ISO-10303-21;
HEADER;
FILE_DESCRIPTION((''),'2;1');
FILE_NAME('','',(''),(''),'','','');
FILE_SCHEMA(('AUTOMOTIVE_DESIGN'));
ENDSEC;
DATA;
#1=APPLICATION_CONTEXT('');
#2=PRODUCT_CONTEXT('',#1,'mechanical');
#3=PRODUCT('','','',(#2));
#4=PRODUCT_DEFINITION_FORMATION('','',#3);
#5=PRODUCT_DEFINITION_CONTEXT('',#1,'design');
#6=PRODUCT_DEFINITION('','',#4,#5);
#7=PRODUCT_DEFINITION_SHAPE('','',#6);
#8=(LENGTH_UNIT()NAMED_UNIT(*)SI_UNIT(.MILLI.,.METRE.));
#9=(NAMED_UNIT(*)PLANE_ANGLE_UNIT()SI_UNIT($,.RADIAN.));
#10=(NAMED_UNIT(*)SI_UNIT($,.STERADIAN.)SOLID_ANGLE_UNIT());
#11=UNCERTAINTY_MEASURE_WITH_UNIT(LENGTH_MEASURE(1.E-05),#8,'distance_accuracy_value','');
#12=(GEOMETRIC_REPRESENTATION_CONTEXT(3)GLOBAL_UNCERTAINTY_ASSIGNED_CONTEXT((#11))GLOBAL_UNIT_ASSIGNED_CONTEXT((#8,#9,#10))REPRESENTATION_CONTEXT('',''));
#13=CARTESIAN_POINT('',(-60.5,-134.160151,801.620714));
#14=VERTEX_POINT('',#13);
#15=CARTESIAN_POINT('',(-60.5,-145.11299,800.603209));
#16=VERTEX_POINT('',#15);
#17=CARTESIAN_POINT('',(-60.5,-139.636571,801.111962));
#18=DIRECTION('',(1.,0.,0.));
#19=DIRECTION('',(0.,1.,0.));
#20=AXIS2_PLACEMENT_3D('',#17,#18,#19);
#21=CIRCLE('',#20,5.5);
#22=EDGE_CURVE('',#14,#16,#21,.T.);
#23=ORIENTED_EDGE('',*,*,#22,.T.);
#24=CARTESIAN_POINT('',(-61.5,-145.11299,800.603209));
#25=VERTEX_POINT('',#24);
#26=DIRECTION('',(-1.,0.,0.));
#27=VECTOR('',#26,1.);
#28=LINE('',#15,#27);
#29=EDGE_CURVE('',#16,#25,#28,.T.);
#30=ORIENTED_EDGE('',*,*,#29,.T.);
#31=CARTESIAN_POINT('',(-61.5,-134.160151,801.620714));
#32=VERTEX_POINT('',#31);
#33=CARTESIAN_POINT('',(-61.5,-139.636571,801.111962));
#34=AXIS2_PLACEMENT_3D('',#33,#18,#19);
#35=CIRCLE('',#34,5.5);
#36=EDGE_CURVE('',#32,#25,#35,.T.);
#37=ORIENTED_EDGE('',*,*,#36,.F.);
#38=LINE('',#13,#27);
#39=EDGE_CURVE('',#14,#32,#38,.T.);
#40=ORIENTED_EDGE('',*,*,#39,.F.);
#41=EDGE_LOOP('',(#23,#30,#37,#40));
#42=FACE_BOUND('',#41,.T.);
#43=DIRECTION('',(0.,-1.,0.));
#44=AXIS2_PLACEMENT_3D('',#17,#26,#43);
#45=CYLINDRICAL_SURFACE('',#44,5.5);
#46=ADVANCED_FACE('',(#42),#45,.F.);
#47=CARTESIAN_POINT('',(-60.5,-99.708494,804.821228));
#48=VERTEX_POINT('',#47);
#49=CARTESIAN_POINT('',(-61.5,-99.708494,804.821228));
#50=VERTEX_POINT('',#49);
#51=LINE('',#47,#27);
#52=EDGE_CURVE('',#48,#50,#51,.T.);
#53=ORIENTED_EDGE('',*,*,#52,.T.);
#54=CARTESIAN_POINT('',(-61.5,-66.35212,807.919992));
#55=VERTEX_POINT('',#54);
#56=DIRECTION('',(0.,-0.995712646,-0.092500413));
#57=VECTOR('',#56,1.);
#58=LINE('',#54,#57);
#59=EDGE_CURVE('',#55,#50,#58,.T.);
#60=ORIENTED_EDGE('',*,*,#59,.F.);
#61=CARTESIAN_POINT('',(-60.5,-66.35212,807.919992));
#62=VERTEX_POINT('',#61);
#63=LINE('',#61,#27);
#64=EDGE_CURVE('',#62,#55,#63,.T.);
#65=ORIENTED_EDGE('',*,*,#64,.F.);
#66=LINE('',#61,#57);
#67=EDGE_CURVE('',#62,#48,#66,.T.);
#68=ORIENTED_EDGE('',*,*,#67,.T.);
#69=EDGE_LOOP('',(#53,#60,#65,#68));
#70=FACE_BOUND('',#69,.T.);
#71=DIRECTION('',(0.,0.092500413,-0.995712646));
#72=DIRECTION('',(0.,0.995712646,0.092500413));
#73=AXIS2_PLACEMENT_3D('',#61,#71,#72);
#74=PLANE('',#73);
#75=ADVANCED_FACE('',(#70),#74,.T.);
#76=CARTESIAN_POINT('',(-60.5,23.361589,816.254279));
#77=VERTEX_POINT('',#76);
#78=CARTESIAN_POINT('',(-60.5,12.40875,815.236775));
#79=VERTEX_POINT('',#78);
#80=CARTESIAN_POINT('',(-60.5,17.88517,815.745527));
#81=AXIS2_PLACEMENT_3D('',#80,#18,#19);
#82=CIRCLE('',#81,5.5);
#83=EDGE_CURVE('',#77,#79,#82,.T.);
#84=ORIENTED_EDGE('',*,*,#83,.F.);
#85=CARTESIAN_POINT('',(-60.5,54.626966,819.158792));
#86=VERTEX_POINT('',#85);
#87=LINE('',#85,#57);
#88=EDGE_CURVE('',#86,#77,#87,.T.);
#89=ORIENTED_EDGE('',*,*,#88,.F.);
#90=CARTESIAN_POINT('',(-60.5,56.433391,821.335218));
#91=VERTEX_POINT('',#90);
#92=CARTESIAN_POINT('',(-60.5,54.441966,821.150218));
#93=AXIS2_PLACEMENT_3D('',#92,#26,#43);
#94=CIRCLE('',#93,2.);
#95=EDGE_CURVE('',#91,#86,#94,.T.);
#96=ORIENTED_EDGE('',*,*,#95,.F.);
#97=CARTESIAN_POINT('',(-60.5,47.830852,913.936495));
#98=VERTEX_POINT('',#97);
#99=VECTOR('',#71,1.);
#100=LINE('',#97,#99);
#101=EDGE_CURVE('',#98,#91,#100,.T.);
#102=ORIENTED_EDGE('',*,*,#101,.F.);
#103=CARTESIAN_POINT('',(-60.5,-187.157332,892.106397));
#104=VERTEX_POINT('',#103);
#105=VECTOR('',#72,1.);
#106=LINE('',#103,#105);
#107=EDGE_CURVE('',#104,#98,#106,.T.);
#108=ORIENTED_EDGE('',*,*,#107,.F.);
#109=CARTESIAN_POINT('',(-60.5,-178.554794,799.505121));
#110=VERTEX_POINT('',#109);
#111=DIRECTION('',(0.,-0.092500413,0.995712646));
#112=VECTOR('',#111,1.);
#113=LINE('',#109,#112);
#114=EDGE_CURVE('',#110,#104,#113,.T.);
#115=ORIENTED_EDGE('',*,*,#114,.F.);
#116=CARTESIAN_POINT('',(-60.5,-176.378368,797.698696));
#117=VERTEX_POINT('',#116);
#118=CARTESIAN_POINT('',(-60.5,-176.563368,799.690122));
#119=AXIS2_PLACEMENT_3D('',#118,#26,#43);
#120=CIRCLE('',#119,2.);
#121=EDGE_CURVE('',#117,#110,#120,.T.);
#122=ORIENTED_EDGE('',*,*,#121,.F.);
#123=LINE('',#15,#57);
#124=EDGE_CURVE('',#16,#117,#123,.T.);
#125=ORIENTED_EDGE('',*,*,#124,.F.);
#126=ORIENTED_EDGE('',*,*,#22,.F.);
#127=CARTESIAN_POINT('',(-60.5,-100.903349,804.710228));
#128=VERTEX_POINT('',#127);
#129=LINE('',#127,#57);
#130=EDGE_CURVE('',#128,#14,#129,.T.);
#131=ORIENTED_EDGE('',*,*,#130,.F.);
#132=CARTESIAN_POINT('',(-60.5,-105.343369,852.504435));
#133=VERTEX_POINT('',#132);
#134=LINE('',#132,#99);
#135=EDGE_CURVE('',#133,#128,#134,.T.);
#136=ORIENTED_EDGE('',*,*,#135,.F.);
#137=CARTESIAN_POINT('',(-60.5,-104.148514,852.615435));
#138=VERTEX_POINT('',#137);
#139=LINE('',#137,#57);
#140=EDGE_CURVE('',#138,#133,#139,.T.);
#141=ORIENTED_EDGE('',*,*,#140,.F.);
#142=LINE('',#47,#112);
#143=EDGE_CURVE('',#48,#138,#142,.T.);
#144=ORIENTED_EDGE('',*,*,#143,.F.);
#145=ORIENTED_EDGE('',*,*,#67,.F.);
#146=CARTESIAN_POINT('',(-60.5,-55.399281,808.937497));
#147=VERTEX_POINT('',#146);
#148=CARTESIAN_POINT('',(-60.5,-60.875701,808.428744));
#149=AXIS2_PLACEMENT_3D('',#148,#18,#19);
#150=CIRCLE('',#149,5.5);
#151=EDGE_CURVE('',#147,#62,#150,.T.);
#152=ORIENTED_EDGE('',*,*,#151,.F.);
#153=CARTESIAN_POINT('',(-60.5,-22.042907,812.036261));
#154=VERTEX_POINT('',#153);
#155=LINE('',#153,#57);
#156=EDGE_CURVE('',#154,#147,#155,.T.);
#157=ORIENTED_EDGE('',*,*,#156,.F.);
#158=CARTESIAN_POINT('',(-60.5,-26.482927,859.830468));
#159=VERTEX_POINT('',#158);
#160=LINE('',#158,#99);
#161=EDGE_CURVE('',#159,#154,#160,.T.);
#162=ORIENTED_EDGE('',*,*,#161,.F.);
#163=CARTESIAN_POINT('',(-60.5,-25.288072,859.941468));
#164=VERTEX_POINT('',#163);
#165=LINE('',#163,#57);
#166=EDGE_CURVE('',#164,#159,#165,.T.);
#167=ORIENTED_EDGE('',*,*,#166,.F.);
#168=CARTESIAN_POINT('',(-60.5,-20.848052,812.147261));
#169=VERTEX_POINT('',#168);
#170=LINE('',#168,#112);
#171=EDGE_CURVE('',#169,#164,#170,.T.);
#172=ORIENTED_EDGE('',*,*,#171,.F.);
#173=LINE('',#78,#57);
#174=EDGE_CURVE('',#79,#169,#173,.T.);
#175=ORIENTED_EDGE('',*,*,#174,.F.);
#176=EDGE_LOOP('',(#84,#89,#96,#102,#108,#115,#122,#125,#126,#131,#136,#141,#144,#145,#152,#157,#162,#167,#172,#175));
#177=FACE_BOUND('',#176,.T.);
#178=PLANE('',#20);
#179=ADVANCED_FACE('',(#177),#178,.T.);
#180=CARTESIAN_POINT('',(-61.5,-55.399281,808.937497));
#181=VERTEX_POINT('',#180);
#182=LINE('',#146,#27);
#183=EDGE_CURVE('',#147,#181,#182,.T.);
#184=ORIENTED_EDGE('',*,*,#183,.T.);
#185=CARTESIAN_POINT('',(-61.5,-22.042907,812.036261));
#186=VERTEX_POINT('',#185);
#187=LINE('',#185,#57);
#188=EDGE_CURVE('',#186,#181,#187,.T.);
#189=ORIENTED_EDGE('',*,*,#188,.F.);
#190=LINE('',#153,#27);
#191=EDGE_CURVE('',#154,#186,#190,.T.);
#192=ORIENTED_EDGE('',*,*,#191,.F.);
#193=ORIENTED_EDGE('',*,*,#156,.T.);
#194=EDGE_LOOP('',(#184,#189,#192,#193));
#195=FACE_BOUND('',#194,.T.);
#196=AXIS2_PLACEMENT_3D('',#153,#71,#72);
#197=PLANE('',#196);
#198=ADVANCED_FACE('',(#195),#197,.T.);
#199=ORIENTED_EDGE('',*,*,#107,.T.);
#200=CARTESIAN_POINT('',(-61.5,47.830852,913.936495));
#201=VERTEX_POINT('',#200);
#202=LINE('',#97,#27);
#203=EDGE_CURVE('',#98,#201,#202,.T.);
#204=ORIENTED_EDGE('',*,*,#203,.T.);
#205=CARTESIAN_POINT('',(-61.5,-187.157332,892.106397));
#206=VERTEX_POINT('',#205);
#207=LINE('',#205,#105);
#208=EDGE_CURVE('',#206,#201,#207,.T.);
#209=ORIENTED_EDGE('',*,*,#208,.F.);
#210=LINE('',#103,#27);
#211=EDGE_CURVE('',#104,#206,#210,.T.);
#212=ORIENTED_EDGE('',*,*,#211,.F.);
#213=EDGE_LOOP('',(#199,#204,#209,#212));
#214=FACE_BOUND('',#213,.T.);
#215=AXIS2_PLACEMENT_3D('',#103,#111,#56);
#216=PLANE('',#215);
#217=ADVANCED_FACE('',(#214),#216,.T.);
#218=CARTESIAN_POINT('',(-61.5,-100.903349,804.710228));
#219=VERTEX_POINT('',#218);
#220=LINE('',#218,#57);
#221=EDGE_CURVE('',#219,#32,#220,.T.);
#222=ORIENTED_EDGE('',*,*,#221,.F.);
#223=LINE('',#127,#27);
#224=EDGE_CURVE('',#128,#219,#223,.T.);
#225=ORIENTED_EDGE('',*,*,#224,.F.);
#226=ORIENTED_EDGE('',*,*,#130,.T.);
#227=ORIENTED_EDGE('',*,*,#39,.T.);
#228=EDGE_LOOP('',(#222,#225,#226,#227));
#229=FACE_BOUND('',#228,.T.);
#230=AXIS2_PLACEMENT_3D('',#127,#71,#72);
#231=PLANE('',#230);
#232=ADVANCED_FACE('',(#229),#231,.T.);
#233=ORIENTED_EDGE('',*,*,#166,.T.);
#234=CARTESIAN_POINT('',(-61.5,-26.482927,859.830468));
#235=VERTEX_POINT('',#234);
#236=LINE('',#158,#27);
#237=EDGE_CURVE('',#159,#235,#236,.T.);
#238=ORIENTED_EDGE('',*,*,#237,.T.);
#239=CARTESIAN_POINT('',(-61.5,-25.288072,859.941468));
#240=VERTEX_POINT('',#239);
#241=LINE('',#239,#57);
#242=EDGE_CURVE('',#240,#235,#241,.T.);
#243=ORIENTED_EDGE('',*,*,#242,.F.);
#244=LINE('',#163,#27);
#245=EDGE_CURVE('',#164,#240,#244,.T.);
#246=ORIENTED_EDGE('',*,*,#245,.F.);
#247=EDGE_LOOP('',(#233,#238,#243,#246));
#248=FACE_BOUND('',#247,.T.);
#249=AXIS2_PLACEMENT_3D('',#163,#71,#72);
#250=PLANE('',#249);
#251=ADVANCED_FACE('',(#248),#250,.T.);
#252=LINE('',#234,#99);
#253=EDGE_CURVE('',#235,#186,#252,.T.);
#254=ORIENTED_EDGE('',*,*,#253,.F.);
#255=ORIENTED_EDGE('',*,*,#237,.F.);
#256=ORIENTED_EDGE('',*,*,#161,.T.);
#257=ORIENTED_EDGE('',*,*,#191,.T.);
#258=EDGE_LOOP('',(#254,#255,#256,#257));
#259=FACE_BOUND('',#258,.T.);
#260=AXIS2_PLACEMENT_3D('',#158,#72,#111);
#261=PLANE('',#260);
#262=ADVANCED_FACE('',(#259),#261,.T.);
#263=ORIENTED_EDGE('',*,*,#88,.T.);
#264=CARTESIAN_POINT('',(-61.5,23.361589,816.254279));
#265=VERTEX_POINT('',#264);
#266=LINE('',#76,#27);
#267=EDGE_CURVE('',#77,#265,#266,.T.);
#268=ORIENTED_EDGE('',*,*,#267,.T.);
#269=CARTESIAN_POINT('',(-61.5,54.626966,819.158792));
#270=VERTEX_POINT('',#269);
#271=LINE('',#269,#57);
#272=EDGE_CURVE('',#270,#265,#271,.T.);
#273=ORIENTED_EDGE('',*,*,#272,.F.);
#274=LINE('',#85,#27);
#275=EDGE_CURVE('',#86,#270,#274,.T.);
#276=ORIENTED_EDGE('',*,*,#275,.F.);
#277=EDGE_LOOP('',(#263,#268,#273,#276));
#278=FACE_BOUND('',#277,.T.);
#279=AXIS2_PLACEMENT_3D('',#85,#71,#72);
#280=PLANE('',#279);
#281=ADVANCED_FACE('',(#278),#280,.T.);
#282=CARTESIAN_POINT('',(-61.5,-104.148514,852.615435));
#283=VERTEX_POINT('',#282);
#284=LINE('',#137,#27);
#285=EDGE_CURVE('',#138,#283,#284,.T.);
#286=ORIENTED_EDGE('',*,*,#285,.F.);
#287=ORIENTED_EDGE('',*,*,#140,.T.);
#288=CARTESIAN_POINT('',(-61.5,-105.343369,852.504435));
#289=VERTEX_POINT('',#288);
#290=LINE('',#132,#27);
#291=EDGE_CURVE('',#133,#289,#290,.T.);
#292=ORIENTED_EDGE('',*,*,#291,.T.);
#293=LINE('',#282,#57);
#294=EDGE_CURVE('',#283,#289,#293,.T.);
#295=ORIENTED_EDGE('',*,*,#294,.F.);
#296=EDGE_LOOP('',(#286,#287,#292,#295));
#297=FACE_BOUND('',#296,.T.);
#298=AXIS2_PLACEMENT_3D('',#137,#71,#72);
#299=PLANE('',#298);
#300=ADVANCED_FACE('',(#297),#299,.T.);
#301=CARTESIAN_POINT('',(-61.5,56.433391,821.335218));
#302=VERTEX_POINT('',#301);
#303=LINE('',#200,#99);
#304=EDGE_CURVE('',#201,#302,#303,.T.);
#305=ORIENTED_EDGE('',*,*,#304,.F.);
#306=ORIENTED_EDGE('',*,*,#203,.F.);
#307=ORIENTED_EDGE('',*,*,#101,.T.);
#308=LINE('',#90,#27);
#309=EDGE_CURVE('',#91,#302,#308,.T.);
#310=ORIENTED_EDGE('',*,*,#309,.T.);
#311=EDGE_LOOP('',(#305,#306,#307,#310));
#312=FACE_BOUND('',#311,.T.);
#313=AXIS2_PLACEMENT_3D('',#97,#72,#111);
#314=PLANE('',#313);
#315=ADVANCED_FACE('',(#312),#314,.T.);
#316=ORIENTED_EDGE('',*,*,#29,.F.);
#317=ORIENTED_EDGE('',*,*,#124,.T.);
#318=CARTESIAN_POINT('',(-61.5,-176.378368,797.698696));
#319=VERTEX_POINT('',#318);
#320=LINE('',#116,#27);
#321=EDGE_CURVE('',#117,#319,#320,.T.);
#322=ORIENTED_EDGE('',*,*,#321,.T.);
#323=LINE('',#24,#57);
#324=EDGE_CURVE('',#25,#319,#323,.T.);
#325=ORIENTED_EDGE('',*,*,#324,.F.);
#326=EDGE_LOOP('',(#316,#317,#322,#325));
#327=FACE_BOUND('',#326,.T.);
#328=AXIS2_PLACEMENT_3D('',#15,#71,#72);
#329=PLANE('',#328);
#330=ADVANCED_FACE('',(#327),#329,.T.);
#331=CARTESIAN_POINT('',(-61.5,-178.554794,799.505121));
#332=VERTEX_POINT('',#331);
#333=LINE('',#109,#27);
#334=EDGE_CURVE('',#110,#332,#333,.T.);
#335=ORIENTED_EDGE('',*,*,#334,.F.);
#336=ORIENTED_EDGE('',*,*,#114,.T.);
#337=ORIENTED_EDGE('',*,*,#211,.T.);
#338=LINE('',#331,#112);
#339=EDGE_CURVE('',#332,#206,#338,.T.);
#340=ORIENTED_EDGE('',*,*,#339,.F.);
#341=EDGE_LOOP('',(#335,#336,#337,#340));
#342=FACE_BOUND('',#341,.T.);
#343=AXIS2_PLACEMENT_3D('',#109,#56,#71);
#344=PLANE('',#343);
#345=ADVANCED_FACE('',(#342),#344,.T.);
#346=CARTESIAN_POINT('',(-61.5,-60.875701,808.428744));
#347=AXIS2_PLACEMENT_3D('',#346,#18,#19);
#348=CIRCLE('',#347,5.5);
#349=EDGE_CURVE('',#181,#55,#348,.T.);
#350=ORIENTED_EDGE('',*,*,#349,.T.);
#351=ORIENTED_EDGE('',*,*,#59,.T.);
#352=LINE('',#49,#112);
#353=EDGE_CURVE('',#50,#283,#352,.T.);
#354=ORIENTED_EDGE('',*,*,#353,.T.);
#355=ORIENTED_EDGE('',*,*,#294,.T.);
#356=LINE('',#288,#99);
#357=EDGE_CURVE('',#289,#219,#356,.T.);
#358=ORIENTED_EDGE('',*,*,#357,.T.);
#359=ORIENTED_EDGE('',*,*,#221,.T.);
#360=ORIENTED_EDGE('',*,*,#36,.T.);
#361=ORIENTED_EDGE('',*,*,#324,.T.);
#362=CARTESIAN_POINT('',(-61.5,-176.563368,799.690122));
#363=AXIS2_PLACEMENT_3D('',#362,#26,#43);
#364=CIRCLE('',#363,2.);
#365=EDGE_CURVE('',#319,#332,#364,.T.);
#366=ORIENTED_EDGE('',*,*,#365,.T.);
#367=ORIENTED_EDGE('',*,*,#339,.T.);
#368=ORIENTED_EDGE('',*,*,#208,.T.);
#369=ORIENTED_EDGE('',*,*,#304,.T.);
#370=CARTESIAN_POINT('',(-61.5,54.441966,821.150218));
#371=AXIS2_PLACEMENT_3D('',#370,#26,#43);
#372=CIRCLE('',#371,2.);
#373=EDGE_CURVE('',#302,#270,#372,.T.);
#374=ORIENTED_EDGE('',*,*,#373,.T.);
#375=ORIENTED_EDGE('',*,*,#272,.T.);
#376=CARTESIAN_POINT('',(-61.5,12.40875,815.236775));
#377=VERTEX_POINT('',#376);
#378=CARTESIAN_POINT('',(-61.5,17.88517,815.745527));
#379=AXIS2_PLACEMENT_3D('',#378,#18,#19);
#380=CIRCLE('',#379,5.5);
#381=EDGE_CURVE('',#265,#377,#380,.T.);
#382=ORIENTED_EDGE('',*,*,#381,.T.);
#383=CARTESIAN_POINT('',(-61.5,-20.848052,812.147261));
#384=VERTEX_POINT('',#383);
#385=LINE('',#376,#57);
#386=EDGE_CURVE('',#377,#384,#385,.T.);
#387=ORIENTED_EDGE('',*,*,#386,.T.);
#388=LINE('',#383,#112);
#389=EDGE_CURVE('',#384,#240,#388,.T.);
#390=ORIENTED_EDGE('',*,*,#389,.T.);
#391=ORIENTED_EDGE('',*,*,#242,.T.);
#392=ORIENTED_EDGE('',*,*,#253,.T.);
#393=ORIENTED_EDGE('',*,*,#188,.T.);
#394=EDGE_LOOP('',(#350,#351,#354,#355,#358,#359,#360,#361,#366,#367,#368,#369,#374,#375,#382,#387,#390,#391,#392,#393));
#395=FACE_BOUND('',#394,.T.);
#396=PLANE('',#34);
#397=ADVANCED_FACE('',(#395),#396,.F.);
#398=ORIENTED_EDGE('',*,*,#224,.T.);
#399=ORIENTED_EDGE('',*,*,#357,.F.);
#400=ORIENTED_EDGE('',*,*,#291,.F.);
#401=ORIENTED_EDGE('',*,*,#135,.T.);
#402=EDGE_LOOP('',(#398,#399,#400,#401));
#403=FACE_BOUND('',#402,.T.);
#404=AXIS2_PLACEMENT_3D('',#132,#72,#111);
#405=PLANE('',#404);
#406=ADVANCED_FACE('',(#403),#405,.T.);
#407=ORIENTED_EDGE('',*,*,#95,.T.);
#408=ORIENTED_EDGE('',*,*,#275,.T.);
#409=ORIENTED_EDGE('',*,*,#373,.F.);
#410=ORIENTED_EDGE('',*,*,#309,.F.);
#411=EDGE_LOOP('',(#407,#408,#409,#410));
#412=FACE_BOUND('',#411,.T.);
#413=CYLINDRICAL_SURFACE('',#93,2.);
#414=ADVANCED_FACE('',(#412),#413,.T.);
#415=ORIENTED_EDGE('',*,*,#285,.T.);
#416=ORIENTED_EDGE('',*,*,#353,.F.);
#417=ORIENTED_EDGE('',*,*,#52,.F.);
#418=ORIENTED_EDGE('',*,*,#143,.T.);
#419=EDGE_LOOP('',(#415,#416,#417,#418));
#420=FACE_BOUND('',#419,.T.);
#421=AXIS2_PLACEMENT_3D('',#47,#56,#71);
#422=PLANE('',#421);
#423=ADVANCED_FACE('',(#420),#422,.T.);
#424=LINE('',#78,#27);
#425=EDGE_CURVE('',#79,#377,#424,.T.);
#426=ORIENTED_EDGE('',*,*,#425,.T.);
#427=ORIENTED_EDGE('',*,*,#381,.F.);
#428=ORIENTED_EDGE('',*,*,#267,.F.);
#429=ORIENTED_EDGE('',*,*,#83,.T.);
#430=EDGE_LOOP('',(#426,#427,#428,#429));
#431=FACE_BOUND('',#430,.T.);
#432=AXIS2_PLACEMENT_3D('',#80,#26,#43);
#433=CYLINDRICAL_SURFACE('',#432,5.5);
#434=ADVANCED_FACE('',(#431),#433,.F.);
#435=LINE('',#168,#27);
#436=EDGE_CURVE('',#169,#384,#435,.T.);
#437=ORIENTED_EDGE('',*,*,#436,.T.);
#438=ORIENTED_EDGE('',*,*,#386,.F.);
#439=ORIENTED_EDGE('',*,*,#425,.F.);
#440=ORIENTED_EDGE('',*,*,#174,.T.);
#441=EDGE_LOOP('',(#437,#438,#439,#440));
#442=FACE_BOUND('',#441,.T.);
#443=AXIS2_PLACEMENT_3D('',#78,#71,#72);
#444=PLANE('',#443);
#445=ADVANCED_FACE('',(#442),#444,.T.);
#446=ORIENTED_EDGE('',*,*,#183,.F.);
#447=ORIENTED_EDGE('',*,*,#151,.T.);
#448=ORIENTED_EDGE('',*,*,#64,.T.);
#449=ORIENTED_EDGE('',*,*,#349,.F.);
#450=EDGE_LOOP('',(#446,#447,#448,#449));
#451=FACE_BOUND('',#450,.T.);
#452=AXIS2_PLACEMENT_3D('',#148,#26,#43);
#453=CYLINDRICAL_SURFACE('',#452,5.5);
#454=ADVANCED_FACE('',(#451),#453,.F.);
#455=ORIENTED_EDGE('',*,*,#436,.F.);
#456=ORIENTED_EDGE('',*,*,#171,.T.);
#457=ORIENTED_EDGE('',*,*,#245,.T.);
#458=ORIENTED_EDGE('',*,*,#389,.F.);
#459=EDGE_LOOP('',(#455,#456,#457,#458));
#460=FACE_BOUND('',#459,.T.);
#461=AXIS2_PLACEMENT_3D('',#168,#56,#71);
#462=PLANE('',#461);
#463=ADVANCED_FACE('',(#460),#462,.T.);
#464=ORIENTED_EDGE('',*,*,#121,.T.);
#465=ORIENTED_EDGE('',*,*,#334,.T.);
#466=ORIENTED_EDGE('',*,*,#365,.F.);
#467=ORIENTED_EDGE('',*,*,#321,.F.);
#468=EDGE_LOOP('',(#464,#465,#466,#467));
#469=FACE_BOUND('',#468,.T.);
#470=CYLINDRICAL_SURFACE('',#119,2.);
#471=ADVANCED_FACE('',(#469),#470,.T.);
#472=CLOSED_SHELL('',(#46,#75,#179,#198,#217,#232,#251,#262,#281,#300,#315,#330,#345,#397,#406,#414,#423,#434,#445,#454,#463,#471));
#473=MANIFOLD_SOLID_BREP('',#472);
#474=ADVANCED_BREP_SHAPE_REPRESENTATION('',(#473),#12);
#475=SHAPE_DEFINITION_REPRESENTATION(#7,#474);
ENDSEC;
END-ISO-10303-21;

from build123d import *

# Parameters (mm, degrees)
EXTRUDE_1_DEPTH = 1


with BuildPart() as part:
    # 草图1 → 凸台-拉伸1 (new body)
    with BuildSketch(Plane(origin=(-61.5, 0, 0), x_dir=(0, -1, 0), z_dir=(-1, 0, 0))):
        with BuildLine():
            Line((145.112990447, 800.603209432), (176.378367534, 797.698696456))
            ThreePointArc((176.378367534, 797.698696456), (177.840703349, 798.15115608), (178.554793652, 799.505120921))
            Line((178.554793652, 799.505120921), (187.157332086, 892.106397006))
            Line((187.157332086, 892.106397006), (-47.830852387, 913.936494537))
            Line((-47.830852387, 913.936494537), (-56.433390821, 821.335218452))
            ThreePointArc((-56.433390821, 821.335218452), (-55.980931196, 819.872882636), (-54.626966355, 819.158792334))
            Line((-54.626966355, 819.158792334), (-23.361589268, 816.254279357))
            ThreePointArc((-23.361589268, 816.254279357), (-17.376417442, 821.221946637), (-12.408750162, 815.236774811))
            Line((-12.408750162, 815.236774811), (20.848052217, 812.147261008))
            Line((20.848052217, 812.147261008), (25.288072054, 859.941468019))
            Line((25.288072054, 859.941468019), (26.482927229, 859.830467523))
            Line((26.482927229, 859.830467523), (22.042907393, 812.036260512))
            Line((22.042907393, 812.036260512), (55.399281036, 808.937496668))
            ThreePointArc((55.399281036, 808.937496668), (61.384452862, 813.905163948), (66.352120143, 807.919992122))
            Line((66.352120143, 807.919992122), (99.708493786, 804.821228277))
            Line((99.708493786, 804.821228277), (104.148513623, 852.615435289))
            Line((104.148513623, 852.615435289), (105.343368798, 852.504434793))
            Line((105.343368798, 852.504434793), (100.903348961, 804.710227781))
            Line((100.903348961, 804.710227781), (134.16015134, 801.620713978))
            ThreePointArc((134.16015134, 801.620713978), (140.145323166, 806.588381259), (145.112990447, 800.603209432))
        make_face()
    extrude(amount=-EXTRUDE_1_DEPTH)


solid = part.part
